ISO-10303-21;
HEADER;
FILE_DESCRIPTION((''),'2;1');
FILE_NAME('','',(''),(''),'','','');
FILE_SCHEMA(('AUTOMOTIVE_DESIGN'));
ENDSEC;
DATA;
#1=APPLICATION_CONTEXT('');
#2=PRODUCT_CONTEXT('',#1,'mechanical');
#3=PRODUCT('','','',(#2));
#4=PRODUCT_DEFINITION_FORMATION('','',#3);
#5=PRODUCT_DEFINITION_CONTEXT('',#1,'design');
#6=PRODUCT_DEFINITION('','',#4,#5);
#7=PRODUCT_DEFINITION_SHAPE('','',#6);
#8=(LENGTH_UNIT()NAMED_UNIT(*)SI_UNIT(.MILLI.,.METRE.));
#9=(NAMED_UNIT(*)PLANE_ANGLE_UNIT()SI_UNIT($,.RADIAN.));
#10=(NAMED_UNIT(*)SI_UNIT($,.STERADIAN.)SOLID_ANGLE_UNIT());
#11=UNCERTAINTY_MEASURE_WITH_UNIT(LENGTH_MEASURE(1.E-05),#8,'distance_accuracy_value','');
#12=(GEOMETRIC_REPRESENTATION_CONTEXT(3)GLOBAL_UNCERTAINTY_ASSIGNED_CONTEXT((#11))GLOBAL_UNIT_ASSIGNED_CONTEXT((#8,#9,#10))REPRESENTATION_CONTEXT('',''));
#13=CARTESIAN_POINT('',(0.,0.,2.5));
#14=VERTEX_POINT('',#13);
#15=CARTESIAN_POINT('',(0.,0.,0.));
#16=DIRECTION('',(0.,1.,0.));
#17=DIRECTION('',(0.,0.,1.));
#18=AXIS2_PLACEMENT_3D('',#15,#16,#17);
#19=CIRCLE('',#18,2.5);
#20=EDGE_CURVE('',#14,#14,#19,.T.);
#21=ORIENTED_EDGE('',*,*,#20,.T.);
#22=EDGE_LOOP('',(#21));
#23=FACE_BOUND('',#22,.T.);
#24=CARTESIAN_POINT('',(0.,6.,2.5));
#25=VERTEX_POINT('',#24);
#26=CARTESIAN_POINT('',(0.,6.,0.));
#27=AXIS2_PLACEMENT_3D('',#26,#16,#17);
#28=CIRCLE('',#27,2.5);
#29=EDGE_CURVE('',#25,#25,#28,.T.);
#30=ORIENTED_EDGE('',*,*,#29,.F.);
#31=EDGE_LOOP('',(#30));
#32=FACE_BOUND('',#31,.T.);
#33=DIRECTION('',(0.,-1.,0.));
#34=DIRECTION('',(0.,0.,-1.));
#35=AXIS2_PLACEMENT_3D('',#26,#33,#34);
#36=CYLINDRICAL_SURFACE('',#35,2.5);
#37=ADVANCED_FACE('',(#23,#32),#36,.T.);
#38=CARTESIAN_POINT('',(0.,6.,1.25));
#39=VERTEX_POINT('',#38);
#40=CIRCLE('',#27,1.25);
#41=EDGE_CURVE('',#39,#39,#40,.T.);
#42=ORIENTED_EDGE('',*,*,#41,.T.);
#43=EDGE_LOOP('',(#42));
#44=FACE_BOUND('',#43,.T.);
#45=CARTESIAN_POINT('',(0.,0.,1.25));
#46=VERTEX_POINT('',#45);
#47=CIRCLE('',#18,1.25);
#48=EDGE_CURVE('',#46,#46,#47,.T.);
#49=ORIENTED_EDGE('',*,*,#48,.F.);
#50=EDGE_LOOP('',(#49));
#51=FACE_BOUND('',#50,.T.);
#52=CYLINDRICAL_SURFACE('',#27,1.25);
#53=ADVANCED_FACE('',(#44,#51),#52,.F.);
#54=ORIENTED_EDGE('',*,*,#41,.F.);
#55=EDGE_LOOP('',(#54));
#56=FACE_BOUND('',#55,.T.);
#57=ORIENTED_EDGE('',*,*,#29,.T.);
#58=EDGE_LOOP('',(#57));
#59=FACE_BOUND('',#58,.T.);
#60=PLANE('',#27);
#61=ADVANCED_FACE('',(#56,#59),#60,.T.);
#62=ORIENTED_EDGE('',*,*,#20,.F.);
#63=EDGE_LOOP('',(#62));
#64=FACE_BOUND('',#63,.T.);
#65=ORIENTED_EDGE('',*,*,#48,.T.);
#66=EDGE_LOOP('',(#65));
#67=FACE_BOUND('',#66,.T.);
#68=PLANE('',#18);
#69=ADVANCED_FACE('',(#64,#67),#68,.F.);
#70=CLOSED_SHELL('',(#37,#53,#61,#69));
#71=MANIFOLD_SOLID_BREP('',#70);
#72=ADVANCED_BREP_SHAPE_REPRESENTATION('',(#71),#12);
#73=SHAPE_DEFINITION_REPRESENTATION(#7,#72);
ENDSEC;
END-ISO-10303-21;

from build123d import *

# Parameters (mm, degrees)
SKETCH1_R             = 2.5
BOSS_EXTRUDE1_DEPTH   = 6
M3X0_5_TAPPED_HOLE1_D = 2.5


with BuildPart() as part:
    # Sketch1 → Boss-Extrude1 (new body)
    with BuildSketch(Plane(origin=(0, 0, 0), x_dir=(1, 0, 0), z_dir=(0, 1, 0))):
        with Locations(Location((0, 0, 0), (0, 0, 270))):
            Circle(SKETCH1_R)
    extrude(amount=BOSS_EXTRUDE1_DEPTH)

    # M3x0.5 Tapped Hole1 (through all)
    with Locations(Plane(origin=(0, 6, 0), x_dir=(1, 0, 0), z_dir=(0, 1, 0))):
        with Locations((0, 0)):
            Hole(M3X0_5_TAPPED_HOLE1_D / 2)


solid = part.part
